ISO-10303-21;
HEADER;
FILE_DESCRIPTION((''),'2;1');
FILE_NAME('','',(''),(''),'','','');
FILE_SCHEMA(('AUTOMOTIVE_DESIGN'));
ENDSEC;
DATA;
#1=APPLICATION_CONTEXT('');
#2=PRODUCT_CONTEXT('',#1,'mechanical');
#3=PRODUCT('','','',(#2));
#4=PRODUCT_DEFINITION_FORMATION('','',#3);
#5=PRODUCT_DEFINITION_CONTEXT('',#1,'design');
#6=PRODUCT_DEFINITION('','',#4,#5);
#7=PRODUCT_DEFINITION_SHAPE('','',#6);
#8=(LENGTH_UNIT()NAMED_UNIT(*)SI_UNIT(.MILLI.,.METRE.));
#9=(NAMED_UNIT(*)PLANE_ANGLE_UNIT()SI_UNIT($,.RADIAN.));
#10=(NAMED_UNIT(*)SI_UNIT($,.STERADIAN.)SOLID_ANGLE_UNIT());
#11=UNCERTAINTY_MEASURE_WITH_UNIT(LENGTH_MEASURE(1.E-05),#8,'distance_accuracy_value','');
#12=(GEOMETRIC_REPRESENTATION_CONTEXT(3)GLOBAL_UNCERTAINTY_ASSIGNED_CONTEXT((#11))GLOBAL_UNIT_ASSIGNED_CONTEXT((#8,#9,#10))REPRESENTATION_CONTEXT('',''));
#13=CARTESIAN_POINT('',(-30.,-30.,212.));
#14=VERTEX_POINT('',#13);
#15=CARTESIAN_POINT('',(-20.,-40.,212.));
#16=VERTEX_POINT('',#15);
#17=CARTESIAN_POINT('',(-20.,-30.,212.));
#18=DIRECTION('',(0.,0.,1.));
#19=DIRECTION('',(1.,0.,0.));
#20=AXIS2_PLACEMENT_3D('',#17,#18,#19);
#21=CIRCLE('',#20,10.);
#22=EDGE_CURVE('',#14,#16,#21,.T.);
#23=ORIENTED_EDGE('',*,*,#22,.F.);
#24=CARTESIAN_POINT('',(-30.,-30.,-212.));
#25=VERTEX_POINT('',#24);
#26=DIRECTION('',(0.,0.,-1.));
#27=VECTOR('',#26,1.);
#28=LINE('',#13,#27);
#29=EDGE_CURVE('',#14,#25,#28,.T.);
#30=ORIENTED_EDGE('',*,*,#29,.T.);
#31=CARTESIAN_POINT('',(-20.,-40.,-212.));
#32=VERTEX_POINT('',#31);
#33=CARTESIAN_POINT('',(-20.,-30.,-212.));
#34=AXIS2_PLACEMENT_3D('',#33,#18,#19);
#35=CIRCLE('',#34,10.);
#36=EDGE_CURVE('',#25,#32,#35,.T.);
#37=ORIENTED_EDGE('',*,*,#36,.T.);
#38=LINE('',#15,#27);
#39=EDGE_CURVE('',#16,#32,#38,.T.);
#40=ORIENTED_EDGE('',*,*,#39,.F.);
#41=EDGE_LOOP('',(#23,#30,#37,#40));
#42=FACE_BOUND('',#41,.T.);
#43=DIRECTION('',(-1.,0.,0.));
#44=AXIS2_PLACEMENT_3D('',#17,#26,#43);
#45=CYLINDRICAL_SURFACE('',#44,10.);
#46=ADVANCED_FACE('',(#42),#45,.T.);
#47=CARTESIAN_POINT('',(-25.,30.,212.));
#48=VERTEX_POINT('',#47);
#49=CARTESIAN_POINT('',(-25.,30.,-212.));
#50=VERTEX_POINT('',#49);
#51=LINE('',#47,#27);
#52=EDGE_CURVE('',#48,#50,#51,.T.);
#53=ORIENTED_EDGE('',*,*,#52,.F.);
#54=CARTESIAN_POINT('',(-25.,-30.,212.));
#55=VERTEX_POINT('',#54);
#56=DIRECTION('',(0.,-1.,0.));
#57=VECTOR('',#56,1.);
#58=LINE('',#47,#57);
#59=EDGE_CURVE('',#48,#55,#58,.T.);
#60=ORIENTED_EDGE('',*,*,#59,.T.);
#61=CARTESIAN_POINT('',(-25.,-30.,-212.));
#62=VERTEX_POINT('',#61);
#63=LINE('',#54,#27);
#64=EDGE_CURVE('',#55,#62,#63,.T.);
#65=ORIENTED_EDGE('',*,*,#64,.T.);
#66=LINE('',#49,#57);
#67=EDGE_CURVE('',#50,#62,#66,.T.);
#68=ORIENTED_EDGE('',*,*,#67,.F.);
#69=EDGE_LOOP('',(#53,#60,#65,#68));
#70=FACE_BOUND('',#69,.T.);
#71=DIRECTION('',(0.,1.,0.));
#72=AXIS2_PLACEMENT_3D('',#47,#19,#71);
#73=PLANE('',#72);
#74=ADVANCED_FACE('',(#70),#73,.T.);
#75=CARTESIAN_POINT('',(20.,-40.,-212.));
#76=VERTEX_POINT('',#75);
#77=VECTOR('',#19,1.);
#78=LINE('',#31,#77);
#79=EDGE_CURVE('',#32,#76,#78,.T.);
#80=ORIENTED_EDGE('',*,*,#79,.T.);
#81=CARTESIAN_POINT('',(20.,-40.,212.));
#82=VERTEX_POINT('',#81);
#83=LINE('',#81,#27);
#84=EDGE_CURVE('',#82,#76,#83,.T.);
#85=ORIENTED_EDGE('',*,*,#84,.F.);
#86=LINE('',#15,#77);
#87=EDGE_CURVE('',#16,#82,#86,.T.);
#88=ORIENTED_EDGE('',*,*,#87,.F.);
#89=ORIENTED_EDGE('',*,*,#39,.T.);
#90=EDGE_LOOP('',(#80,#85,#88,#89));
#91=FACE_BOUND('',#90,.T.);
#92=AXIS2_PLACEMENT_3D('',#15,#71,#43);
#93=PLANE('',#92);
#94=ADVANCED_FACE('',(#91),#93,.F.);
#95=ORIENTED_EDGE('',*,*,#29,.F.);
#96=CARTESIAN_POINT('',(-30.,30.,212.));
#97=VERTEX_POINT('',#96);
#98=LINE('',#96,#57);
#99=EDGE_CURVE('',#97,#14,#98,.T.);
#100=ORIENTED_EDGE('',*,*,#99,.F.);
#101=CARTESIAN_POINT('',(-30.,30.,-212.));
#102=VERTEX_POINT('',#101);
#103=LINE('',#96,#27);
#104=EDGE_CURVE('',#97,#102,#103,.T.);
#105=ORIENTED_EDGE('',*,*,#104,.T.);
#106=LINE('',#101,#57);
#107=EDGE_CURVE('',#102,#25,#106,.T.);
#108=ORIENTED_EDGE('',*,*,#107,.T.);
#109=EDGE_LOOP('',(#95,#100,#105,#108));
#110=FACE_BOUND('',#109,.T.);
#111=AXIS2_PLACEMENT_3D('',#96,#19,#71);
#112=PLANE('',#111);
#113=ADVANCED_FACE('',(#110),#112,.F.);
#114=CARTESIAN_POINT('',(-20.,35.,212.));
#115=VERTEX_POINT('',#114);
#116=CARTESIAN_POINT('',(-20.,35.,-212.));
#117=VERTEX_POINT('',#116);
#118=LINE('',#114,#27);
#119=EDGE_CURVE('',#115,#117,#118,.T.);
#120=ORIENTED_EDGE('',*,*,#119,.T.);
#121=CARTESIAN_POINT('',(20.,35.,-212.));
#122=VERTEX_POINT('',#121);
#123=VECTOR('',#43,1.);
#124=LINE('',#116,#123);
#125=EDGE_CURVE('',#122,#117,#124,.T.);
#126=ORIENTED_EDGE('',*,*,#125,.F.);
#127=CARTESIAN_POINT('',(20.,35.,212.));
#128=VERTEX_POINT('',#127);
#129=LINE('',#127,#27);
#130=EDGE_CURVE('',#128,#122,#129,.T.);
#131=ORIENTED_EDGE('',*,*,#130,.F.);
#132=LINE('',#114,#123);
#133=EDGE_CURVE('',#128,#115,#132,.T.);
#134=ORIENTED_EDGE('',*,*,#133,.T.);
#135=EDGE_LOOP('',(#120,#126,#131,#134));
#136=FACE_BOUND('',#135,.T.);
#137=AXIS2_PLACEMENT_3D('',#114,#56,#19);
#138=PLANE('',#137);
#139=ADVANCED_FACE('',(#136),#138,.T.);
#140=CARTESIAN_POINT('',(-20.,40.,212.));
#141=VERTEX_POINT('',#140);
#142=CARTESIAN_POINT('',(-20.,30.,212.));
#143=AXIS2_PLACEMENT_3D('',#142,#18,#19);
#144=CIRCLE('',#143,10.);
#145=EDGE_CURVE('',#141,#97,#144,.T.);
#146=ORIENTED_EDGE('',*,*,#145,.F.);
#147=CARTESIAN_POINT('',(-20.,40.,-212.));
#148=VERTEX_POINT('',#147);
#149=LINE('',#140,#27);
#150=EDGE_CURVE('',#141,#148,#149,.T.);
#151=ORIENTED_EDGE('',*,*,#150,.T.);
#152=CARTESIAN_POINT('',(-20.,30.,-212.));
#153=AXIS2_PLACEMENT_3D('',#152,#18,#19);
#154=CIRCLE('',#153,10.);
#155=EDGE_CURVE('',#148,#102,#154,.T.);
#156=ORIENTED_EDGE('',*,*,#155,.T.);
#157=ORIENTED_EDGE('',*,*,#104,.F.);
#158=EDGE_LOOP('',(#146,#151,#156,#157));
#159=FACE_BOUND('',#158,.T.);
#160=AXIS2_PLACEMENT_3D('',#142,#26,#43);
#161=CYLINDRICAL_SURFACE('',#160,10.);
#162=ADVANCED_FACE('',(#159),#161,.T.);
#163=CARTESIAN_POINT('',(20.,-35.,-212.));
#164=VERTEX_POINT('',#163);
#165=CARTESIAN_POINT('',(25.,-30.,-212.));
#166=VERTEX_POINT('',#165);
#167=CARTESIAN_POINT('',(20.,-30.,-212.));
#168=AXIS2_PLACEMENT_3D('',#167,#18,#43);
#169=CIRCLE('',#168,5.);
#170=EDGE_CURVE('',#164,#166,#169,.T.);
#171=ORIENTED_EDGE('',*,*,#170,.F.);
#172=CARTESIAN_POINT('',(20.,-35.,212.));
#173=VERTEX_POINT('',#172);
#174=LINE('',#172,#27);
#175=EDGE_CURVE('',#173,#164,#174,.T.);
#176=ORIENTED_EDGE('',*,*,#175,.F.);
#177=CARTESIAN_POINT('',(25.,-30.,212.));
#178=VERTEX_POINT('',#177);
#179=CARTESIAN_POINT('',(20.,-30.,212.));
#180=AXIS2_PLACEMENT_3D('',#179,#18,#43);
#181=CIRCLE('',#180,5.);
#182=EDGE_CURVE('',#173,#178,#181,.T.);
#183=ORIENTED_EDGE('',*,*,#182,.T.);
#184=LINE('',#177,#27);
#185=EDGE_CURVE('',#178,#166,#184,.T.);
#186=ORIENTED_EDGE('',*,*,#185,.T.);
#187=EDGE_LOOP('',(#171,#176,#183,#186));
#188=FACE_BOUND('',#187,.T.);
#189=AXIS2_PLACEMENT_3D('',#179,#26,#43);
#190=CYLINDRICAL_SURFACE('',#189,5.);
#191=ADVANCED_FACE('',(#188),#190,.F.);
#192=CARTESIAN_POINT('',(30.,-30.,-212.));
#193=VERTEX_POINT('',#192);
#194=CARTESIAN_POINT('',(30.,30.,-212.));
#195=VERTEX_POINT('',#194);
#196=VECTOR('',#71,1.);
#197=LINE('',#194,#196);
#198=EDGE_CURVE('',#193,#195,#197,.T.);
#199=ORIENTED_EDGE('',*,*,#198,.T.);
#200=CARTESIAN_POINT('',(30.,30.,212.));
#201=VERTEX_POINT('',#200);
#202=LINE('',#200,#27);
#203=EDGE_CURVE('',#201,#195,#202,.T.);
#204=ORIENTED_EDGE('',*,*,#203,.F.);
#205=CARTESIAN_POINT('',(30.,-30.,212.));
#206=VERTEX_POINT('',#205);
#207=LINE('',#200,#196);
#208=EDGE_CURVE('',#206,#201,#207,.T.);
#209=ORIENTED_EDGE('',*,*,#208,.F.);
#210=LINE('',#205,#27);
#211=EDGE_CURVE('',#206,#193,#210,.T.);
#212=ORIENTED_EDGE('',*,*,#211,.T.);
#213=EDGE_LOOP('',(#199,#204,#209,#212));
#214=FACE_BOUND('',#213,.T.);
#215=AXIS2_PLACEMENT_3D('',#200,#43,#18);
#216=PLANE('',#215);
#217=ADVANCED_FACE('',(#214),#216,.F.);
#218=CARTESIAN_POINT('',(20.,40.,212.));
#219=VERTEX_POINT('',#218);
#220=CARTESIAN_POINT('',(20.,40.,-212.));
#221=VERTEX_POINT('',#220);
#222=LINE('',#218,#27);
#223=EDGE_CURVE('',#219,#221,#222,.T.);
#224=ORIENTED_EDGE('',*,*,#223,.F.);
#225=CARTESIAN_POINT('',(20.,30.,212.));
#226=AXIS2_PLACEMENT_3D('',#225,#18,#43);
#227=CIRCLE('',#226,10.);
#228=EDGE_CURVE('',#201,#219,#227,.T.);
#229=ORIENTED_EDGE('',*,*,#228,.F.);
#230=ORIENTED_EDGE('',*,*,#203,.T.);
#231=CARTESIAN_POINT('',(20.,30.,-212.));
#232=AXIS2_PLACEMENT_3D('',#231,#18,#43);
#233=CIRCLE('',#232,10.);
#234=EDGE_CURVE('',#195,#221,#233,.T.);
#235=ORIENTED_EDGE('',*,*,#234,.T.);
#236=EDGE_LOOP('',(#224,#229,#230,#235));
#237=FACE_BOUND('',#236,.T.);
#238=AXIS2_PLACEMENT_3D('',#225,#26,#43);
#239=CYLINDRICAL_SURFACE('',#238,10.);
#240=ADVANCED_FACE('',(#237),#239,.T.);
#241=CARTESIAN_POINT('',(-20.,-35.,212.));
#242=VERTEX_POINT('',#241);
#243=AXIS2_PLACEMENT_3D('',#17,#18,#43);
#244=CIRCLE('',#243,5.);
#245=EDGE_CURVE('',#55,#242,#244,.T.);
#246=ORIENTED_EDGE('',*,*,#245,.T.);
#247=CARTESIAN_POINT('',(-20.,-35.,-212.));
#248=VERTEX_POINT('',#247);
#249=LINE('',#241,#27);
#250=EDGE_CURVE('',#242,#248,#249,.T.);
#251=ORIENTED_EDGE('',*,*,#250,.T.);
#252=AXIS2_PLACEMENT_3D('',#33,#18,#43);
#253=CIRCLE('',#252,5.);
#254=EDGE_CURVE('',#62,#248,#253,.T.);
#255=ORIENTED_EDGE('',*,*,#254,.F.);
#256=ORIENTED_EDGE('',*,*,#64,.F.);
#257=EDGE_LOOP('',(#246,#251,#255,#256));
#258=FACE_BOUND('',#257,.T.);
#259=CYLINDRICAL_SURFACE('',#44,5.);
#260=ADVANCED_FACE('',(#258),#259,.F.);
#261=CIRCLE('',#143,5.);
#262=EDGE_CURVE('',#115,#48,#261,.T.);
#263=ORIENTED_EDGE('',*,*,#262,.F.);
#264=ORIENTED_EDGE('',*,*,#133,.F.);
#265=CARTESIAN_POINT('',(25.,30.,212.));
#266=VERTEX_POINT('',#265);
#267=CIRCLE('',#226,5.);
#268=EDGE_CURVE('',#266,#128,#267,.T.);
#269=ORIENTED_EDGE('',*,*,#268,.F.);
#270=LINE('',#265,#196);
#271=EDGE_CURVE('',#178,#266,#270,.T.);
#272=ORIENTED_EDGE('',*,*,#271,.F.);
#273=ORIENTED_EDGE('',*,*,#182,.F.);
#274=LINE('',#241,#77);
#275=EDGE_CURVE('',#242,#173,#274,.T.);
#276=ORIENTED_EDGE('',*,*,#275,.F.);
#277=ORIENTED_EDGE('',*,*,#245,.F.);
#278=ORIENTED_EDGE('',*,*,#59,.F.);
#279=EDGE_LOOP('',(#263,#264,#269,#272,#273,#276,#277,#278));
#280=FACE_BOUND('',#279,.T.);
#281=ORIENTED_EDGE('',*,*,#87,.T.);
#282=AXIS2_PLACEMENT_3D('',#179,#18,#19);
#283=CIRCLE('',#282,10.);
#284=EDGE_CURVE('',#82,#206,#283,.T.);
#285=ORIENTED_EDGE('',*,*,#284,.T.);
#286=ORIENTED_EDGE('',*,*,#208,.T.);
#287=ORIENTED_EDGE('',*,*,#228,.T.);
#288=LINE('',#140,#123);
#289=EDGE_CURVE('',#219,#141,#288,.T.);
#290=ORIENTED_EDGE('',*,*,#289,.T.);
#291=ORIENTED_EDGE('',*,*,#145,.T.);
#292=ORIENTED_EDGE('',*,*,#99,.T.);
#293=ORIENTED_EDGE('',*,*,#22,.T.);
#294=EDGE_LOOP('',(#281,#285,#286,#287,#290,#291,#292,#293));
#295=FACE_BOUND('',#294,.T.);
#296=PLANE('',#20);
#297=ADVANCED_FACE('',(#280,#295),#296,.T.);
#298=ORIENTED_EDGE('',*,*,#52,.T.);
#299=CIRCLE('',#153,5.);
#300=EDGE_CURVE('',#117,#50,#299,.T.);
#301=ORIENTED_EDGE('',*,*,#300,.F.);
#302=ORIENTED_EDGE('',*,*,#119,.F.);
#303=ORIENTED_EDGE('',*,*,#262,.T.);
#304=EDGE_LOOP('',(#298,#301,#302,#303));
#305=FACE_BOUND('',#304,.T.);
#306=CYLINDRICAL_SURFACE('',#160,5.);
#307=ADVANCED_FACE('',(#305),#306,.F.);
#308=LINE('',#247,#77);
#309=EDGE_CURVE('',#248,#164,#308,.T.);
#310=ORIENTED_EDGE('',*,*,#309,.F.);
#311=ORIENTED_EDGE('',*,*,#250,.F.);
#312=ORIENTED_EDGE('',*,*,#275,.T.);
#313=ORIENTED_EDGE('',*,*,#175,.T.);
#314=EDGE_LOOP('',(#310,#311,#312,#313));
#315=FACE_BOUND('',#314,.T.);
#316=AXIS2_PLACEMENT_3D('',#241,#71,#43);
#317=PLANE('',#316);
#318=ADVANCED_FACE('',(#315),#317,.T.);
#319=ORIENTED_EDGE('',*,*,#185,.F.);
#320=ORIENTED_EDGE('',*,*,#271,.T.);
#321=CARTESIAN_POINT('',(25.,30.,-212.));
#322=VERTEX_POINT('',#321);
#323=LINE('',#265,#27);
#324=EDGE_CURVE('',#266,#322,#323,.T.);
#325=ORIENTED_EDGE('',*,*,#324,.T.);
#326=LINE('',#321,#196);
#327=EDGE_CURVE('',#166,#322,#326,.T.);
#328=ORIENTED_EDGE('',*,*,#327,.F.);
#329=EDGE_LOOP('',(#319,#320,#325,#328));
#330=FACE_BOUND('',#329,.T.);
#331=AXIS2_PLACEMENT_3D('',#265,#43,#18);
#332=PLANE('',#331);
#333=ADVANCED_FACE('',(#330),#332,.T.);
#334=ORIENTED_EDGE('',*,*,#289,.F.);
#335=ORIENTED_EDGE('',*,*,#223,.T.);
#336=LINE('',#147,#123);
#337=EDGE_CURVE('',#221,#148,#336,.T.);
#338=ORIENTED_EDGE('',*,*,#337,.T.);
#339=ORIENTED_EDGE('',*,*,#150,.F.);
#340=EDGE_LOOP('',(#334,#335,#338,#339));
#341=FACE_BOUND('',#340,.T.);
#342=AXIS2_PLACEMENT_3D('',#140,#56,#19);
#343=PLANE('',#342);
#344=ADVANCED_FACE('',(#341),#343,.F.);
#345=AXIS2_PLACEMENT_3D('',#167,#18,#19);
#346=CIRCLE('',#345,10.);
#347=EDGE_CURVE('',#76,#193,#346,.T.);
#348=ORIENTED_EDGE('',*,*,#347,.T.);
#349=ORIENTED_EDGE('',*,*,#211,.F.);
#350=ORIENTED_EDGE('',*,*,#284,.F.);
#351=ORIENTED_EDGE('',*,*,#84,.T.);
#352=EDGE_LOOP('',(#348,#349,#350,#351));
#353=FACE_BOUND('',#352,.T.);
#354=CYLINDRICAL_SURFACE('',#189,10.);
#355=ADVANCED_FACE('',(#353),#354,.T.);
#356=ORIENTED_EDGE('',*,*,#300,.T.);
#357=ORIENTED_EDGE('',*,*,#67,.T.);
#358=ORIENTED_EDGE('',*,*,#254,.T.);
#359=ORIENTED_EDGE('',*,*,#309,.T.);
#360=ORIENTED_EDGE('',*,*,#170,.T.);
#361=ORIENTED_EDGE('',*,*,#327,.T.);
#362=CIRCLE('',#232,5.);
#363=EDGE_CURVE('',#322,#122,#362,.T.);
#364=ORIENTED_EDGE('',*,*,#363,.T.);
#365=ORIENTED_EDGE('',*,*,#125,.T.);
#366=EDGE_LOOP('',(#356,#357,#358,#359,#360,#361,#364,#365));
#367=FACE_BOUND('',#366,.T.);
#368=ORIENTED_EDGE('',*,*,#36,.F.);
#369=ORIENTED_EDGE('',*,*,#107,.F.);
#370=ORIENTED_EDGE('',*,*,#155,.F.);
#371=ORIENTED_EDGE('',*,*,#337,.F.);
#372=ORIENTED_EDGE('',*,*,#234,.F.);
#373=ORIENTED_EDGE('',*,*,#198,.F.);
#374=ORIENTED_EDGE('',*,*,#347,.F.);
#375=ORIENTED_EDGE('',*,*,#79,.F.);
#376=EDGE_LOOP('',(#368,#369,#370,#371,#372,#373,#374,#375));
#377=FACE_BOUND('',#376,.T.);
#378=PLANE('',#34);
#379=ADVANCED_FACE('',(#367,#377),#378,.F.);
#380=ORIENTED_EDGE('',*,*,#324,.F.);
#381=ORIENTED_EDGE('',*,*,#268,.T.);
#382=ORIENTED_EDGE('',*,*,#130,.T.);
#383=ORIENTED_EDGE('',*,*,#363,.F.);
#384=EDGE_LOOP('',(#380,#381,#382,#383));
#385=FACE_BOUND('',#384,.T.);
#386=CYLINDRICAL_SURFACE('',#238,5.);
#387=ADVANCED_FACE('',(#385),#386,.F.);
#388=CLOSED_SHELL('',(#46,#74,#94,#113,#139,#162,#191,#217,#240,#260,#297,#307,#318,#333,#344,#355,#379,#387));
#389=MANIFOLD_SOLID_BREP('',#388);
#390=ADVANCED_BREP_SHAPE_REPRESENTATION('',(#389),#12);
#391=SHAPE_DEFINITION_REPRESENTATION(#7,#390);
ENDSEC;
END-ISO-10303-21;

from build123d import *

# Parameters (mm, degrees)
EXTRUDE_1_DEPTH = 212


with BuildPart() as part:
    # Sketch 186 → 凸台-拉伸1 (new, symmetric)
    with BuildSketch(Plane.XY):
        with BuildLine():
            Line((-20, 40), (20, 40))
            ThreePointArc((20, 40), (27.071067812, 37.071067812), (30, 30))
            Line((30, 30), (30, -30))
            ThreePointArc((30, -30), (27.071067812, -37.071067812), (20, -40))
            Line((20, -40), (-20, -40))
            ThreePointArc((-20, -40), (-27.071067812, -37.071067812), (-30, -30))
            Line((-30, -30), (-30, 30))
            ThreePointArc((-30, 30), (-27.071067812, 37.071067812), (-20, 40))
        make_face()
        with BuildLine():
            Line((-20, 35), (20, 35))
            ThreePointArc((20, 35), (23.535533906, 33.535533906), (25, 30))
            Line((25, 30), (25, -30))
            ThreePointArc((25, -30), (23.535533906, -33.535533906), (20, -35))
            Line((20, -35), (-20, -35))
            ThreePointArc((-20, -35), (-23.535533906, -33.535533906), (-25, -30))
            Line((-25, -30), (-25, 30))
            ThreePointArc((-25, 30), (-23.535533906, 33.535533906), (-20, 35))
        make_face(mode=Mode.SUBTRACT)
    extrude(amount=EXTRUDE_1_DEPTH, both=True)


solid = part.part
